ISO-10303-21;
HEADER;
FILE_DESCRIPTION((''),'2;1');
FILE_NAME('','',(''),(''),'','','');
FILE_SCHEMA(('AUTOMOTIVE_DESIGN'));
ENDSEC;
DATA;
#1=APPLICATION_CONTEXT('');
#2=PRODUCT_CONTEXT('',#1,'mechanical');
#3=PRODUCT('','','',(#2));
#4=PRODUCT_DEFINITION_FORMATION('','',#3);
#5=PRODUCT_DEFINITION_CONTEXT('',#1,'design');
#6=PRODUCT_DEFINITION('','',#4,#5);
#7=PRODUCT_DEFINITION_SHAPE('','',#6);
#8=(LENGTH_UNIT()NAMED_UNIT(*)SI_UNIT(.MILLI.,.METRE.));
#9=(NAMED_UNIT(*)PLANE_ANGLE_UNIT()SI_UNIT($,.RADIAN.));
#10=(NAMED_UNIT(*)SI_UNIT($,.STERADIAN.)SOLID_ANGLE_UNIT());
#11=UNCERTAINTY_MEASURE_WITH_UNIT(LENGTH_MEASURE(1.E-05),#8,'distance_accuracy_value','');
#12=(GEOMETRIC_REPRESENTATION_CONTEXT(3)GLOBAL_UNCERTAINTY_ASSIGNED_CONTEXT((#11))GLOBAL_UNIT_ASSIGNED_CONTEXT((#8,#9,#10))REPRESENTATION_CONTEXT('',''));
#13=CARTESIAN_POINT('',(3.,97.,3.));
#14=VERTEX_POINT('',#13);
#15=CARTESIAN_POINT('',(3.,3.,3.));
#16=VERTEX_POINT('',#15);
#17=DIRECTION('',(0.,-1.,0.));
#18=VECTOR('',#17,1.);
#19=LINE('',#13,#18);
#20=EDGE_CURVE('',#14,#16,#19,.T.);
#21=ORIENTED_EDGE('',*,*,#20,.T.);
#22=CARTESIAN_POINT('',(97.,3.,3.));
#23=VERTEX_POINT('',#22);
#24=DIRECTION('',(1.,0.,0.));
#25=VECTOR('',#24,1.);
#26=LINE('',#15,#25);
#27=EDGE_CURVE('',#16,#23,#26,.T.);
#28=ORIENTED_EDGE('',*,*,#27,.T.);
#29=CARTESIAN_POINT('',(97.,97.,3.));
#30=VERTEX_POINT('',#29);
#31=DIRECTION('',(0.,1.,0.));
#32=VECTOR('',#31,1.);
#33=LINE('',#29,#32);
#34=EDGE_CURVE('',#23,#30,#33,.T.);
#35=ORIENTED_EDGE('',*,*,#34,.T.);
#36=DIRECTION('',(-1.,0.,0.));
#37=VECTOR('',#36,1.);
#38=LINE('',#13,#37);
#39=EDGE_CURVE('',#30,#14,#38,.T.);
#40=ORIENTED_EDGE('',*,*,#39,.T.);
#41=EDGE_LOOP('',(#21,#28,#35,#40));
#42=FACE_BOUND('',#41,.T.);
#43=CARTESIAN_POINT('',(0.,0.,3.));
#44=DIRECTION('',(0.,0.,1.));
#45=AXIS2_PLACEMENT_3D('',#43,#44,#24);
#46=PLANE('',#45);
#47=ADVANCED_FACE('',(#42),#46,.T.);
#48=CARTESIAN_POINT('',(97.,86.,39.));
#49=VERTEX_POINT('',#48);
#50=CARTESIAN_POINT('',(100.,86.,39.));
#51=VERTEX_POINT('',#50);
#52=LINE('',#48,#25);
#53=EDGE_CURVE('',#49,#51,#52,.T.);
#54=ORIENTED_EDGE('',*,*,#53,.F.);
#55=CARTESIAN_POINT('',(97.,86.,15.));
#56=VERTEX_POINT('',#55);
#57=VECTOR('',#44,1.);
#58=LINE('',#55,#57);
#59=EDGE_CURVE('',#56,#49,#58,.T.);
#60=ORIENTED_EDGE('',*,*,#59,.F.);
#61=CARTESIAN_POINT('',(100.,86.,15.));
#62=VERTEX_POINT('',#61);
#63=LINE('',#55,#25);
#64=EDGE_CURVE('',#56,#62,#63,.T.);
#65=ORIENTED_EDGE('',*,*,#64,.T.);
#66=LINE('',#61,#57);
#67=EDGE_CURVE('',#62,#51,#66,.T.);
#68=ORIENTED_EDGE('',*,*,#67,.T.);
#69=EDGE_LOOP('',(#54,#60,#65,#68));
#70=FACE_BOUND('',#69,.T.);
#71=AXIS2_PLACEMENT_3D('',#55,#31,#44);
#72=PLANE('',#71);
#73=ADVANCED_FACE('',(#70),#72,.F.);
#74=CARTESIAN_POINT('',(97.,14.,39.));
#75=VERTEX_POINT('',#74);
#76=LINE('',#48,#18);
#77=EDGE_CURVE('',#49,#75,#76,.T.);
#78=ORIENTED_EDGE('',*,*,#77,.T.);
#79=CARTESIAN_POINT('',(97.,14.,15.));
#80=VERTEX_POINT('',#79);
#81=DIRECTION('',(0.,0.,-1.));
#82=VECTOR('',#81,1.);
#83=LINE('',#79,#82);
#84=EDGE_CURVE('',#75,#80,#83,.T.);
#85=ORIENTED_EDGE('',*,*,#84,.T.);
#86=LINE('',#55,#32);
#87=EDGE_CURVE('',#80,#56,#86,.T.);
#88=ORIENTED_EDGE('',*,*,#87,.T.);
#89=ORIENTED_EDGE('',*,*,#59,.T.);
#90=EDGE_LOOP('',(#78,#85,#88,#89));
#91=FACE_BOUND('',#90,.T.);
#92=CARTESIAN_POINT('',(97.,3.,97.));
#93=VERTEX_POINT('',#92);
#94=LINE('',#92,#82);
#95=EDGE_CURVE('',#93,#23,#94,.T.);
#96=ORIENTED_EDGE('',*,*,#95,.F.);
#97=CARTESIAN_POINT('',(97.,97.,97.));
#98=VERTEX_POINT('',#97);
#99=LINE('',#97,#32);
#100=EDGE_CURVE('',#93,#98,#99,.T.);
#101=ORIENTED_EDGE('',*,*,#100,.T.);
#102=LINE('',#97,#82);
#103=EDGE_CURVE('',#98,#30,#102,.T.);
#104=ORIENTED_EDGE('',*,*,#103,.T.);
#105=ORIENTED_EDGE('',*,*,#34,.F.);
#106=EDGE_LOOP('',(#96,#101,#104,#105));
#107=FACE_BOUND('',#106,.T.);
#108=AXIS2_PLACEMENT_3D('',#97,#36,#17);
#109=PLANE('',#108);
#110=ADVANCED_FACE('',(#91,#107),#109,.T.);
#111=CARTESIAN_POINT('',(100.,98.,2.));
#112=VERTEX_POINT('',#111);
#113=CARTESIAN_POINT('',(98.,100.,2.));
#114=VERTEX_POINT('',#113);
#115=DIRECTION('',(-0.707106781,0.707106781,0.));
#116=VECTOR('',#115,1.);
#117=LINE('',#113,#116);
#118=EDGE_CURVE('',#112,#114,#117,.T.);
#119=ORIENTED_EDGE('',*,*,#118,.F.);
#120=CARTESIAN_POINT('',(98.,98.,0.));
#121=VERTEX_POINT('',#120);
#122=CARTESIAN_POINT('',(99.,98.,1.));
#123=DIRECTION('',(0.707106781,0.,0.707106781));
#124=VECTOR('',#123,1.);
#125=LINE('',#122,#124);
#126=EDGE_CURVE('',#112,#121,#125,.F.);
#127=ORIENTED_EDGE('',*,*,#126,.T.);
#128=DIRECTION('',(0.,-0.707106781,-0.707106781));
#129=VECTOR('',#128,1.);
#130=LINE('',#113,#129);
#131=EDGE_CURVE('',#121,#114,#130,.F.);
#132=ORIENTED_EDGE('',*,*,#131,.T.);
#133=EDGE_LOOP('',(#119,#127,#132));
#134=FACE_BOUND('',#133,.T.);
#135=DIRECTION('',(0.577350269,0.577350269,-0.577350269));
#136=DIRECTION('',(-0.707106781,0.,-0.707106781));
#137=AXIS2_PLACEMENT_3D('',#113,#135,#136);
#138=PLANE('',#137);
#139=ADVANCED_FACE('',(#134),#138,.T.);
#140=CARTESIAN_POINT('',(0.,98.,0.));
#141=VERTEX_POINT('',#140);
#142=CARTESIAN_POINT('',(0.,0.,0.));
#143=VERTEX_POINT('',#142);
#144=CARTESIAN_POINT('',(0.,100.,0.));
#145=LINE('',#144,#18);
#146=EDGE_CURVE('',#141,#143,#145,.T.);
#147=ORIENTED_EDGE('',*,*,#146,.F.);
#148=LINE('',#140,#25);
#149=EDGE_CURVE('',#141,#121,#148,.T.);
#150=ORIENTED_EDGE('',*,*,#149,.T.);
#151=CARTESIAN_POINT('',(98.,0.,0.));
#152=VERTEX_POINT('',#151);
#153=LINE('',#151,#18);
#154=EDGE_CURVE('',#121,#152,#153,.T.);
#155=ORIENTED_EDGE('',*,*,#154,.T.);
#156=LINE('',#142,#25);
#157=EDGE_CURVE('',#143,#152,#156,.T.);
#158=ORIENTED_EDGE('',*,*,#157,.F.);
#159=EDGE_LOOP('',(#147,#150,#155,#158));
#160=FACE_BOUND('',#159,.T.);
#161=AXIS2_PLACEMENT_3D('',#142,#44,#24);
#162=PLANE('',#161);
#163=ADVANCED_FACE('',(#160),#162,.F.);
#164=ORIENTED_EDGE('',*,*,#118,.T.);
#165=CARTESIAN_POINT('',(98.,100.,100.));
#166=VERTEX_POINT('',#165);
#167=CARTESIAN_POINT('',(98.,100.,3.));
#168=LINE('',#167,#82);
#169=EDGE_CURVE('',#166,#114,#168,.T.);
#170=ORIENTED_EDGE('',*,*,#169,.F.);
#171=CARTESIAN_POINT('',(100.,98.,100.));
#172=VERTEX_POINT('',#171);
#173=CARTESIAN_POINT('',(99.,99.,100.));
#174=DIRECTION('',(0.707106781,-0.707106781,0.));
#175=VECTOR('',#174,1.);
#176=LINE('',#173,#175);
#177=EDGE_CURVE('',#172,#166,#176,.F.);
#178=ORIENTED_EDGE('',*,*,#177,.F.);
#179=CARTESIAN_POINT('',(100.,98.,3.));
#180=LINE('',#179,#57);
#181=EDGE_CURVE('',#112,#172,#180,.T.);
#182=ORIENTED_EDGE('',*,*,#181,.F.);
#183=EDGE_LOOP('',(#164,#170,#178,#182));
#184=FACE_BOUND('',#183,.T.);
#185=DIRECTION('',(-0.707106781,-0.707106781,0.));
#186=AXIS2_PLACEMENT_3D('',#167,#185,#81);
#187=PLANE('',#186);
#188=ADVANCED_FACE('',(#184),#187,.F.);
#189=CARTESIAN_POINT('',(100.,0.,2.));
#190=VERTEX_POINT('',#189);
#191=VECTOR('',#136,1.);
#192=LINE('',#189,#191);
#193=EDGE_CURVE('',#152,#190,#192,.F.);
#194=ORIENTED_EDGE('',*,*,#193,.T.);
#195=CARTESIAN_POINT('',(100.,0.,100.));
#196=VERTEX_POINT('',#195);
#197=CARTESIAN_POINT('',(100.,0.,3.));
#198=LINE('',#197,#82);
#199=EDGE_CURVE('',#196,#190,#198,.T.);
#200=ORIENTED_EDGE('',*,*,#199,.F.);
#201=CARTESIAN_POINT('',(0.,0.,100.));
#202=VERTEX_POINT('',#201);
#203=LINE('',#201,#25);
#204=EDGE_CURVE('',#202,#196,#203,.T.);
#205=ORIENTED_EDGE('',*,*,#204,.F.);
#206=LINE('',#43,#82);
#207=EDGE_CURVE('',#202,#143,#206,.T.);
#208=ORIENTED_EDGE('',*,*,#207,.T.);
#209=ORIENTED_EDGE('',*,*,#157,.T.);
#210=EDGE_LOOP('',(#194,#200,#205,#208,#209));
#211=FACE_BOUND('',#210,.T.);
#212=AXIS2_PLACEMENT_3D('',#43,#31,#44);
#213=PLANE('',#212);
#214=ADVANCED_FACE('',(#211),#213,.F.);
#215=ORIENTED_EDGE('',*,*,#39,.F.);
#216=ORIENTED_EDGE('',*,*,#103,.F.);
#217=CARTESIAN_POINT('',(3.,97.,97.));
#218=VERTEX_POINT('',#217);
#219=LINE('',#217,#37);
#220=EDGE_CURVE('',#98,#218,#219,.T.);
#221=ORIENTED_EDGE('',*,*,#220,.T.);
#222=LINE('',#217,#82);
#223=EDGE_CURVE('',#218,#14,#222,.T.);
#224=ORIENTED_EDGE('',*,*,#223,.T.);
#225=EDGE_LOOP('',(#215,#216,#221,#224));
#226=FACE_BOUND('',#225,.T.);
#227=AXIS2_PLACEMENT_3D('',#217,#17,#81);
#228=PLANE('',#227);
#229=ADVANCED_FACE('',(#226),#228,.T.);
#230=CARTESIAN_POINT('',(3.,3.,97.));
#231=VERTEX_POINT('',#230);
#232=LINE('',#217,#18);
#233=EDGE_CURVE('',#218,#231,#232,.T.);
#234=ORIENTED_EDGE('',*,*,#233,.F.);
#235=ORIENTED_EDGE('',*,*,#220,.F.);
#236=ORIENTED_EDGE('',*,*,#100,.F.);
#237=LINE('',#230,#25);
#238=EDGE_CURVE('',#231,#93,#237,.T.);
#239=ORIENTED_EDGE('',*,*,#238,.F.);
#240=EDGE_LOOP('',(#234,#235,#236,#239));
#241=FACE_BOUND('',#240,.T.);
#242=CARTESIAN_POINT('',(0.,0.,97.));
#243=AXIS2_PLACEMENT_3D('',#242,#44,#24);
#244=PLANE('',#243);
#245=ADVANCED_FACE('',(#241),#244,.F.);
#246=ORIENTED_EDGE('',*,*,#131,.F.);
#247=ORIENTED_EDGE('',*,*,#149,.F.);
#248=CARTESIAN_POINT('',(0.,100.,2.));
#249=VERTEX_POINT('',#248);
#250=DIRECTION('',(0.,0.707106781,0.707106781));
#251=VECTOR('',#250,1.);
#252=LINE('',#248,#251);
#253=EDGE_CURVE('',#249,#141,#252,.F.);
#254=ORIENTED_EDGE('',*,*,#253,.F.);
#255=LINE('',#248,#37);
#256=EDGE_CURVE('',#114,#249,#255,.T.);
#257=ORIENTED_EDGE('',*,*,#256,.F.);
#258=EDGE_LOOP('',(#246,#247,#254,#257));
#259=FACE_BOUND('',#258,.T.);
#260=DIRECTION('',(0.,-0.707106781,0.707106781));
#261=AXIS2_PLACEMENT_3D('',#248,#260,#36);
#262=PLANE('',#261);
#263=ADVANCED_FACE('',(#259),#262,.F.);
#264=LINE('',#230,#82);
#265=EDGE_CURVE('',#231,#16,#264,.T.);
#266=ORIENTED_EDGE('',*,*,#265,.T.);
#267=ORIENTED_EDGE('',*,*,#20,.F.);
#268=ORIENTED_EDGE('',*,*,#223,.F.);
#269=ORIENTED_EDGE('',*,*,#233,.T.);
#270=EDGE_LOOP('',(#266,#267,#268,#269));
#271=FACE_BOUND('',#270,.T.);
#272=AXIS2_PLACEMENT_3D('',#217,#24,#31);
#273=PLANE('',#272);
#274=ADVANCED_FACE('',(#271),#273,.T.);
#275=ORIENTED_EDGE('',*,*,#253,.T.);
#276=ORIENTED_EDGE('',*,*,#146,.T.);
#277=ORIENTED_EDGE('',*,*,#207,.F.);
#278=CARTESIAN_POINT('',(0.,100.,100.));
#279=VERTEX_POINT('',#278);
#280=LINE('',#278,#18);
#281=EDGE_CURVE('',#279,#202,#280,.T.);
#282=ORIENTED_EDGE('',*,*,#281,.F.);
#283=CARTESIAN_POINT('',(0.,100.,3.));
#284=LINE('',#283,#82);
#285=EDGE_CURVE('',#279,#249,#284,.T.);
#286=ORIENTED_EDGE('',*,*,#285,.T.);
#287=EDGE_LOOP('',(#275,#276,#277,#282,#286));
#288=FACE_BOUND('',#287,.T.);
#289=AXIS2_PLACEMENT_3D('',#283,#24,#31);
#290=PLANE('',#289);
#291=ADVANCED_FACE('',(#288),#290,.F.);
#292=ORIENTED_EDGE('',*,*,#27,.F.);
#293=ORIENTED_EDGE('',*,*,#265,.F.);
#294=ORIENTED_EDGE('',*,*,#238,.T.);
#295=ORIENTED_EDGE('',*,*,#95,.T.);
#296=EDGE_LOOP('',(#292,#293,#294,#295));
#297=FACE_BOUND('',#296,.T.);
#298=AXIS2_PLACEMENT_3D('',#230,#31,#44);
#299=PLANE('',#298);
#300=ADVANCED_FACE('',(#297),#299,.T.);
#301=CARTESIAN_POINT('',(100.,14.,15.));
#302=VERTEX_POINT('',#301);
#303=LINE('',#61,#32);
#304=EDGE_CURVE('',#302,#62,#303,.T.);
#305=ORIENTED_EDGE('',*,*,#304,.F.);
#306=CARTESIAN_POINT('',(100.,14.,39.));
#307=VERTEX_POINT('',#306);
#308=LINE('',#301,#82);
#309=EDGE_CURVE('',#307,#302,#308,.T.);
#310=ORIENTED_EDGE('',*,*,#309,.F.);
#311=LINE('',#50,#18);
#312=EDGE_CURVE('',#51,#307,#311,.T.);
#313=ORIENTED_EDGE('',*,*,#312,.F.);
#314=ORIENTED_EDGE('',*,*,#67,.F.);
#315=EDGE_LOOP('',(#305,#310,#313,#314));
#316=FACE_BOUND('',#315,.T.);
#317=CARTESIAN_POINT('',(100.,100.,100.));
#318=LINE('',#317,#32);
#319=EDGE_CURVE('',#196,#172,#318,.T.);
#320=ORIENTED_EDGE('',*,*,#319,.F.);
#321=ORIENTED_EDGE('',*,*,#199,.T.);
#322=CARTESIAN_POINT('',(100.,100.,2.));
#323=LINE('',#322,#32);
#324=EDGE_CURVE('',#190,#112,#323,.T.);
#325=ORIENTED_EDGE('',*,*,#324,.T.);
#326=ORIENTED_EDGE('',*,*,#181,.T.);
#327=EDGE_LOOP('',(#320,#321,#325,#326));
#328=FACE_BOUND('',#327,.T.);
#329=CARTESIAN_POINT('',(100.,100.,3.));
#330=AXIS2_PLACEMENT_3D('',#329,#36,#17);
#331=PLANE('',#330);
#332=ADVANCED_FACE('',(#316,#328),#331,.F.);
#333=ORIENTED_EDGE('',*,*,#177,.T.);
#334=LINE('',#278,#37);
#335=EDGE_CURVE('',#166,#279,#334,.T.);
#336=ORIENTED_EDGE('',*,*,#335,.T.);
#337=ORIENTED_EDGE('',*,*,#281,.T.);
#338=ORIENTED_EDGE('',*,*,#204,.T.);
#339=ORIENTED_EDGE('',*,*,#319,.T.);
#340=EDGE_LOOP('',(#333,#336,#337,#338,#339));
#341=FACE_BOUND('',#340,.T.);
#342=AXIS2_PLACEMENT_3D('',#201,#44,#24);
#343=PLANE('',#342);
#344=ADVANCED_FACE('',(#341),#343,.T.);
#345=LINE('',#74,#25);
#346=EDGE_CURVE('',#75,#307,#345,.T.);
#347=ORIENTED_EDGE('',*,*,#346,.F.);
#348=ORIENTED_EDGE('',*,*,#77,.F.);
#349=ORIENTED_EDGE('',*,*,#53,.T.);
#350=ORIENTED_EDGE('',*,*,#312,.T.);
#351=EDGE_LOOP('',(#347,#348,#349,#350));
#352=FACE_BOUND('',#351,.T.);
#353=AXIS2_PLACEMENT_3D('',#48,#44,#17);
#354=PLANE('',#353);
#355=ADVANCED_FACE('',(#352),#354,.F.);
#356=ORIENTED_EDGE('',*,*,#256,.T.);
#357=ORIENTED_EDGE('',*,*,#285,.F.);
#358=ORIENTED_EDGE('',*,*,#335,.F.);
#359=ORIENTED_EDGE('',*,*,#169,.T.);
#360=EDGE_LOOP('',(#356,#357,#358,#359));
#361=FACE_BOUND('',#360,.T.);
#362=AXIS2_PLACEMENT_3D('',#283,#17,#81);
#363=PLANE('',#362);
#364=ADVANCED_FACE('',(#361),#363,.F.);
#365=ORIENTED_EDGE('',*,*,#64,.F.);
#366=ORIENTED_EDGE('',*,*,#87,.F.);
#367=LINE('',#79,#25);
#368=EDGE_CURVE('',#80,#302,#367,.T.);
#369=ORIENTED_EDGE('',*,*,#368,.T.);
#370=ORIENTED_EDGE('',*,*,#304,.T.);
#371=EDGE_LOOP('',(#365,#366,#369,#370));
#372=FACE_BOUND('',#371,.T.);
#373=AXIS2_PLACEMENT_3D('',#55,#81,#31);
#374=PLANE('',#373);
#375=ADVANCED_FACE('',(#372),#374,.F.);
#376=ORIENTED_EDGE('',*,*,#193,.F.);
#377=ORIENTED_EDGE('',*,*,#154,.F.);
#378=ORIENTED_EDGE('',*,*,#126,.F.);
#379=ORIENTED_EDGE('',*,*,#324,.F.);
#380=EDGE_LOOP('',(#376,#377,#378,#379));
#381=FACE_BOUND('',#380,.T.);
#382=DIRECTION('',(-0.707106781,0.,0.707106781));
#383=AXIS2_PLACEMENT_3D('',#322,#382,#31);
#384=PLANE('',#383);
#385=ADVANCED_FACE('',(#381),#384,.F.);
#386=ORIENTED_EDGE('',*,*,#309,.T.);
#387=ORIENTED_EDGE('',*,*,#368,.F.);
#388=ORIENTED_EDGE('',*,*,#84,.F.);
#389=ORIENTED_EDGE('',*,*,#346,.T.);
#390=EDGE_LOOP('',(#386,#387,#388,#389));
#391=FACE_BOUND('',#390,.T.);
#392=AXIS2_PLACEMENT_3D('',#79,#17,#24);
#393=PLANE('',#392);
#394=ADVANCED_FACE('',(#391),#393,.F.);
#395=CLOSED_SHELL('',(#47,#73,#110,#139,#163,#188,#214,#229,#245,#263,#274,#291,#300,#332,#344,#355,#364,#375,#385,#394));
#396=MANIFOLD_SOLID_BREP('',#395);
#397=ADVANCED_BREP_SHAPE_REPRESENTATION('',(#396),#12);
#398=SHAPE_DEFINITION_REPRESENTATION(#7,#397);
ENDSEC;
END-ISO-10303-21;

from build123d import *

# Parameters (mm, degrees)
ESQUISSE1_W             = 100
ESQUISSE1_H             = 100
BOSS_EXTRU_1_DEPTH      = 3
ESQUISSE2_W             = 100
ESQUISSE2_H             = 100
ESQUISSE2_W_2           = 94
ESQUISSE2_H_2           = 94
BOSS_EXTRU_2_DEPTH      = 94
ESQUISSE3_W             = 100
ESQUISSE3_H             = 100
BOSS_EXTRU_3_DEPTH      = 3
ESQUISSE4_W             = 24
ESQUISSE4_H             = 72
ENL_V_MAT_EXTRU_1_DEPTH = 3
CHANFREIN1_SIZE         = 2


with BuildPart() as part:
    # Esquisse1 → Boss.-Extru.1 (new body)
    with BuildSketch(Plane.XY):
        with Locations((50, 50)):
            Rectangle(ESQUISSE1_W, ESQUISSE1_H)
    extrude(amount=BOSS_EXTRU_1_DEPTH)

    # Esquisse2 → Boss.-Extru.2 (add)
    with BuildSketch(Plane.XY.offset(3)):
        with Locations((50, 50)):
            Rectangle(ESQUISSE2_W, ESQUISSE2_H)
        with Locations((50, 50)):
            Rectangle(ESQUISSE2_W_2, ESQUISSE2_H_2, mode=Mode.SUBTRACT)
    extrude(amount=BOSS_EXTRU_2_DEPTH)

    # Esquisse3 → Boss.-Extru.3 (add)
    with BuildSketch(Plane.XY.offset(97)):
        with Locations((50, 50)):
            Rectangle(ESQUISSE3_W, ESQUISSE3_H)
    extrude(amount=BOSS_EXTRU_3_DEPTH)

    # Esquisse4 → Enlèv. mat.-Extru.1 (cut)
    with BuildSketch(Plane(origin=(100, 0, 0), x_dir=(0, 0, -1), z_dir=(1, 0, 0))):
        with Locations((-27, 50)):
            Rectangle(ESQUISSE4_W, ESQUISSE4_H)
    extrude(amount=-ENL_V_MAT_EXTRU_1_DEPTH, mode=Mode.SUBTRACT)

    # Chanfrein1
    chanfrein1_edges = [part.edges().sort_by_distance(p)[0] for p in [
        (50, 100, 0),
        (100, 50, 0),
        (100, 100, 50),
    ]]
    chamfer(chanfrein1_edges, length=CHANFREIN1_SIZE)


solid = part.part
